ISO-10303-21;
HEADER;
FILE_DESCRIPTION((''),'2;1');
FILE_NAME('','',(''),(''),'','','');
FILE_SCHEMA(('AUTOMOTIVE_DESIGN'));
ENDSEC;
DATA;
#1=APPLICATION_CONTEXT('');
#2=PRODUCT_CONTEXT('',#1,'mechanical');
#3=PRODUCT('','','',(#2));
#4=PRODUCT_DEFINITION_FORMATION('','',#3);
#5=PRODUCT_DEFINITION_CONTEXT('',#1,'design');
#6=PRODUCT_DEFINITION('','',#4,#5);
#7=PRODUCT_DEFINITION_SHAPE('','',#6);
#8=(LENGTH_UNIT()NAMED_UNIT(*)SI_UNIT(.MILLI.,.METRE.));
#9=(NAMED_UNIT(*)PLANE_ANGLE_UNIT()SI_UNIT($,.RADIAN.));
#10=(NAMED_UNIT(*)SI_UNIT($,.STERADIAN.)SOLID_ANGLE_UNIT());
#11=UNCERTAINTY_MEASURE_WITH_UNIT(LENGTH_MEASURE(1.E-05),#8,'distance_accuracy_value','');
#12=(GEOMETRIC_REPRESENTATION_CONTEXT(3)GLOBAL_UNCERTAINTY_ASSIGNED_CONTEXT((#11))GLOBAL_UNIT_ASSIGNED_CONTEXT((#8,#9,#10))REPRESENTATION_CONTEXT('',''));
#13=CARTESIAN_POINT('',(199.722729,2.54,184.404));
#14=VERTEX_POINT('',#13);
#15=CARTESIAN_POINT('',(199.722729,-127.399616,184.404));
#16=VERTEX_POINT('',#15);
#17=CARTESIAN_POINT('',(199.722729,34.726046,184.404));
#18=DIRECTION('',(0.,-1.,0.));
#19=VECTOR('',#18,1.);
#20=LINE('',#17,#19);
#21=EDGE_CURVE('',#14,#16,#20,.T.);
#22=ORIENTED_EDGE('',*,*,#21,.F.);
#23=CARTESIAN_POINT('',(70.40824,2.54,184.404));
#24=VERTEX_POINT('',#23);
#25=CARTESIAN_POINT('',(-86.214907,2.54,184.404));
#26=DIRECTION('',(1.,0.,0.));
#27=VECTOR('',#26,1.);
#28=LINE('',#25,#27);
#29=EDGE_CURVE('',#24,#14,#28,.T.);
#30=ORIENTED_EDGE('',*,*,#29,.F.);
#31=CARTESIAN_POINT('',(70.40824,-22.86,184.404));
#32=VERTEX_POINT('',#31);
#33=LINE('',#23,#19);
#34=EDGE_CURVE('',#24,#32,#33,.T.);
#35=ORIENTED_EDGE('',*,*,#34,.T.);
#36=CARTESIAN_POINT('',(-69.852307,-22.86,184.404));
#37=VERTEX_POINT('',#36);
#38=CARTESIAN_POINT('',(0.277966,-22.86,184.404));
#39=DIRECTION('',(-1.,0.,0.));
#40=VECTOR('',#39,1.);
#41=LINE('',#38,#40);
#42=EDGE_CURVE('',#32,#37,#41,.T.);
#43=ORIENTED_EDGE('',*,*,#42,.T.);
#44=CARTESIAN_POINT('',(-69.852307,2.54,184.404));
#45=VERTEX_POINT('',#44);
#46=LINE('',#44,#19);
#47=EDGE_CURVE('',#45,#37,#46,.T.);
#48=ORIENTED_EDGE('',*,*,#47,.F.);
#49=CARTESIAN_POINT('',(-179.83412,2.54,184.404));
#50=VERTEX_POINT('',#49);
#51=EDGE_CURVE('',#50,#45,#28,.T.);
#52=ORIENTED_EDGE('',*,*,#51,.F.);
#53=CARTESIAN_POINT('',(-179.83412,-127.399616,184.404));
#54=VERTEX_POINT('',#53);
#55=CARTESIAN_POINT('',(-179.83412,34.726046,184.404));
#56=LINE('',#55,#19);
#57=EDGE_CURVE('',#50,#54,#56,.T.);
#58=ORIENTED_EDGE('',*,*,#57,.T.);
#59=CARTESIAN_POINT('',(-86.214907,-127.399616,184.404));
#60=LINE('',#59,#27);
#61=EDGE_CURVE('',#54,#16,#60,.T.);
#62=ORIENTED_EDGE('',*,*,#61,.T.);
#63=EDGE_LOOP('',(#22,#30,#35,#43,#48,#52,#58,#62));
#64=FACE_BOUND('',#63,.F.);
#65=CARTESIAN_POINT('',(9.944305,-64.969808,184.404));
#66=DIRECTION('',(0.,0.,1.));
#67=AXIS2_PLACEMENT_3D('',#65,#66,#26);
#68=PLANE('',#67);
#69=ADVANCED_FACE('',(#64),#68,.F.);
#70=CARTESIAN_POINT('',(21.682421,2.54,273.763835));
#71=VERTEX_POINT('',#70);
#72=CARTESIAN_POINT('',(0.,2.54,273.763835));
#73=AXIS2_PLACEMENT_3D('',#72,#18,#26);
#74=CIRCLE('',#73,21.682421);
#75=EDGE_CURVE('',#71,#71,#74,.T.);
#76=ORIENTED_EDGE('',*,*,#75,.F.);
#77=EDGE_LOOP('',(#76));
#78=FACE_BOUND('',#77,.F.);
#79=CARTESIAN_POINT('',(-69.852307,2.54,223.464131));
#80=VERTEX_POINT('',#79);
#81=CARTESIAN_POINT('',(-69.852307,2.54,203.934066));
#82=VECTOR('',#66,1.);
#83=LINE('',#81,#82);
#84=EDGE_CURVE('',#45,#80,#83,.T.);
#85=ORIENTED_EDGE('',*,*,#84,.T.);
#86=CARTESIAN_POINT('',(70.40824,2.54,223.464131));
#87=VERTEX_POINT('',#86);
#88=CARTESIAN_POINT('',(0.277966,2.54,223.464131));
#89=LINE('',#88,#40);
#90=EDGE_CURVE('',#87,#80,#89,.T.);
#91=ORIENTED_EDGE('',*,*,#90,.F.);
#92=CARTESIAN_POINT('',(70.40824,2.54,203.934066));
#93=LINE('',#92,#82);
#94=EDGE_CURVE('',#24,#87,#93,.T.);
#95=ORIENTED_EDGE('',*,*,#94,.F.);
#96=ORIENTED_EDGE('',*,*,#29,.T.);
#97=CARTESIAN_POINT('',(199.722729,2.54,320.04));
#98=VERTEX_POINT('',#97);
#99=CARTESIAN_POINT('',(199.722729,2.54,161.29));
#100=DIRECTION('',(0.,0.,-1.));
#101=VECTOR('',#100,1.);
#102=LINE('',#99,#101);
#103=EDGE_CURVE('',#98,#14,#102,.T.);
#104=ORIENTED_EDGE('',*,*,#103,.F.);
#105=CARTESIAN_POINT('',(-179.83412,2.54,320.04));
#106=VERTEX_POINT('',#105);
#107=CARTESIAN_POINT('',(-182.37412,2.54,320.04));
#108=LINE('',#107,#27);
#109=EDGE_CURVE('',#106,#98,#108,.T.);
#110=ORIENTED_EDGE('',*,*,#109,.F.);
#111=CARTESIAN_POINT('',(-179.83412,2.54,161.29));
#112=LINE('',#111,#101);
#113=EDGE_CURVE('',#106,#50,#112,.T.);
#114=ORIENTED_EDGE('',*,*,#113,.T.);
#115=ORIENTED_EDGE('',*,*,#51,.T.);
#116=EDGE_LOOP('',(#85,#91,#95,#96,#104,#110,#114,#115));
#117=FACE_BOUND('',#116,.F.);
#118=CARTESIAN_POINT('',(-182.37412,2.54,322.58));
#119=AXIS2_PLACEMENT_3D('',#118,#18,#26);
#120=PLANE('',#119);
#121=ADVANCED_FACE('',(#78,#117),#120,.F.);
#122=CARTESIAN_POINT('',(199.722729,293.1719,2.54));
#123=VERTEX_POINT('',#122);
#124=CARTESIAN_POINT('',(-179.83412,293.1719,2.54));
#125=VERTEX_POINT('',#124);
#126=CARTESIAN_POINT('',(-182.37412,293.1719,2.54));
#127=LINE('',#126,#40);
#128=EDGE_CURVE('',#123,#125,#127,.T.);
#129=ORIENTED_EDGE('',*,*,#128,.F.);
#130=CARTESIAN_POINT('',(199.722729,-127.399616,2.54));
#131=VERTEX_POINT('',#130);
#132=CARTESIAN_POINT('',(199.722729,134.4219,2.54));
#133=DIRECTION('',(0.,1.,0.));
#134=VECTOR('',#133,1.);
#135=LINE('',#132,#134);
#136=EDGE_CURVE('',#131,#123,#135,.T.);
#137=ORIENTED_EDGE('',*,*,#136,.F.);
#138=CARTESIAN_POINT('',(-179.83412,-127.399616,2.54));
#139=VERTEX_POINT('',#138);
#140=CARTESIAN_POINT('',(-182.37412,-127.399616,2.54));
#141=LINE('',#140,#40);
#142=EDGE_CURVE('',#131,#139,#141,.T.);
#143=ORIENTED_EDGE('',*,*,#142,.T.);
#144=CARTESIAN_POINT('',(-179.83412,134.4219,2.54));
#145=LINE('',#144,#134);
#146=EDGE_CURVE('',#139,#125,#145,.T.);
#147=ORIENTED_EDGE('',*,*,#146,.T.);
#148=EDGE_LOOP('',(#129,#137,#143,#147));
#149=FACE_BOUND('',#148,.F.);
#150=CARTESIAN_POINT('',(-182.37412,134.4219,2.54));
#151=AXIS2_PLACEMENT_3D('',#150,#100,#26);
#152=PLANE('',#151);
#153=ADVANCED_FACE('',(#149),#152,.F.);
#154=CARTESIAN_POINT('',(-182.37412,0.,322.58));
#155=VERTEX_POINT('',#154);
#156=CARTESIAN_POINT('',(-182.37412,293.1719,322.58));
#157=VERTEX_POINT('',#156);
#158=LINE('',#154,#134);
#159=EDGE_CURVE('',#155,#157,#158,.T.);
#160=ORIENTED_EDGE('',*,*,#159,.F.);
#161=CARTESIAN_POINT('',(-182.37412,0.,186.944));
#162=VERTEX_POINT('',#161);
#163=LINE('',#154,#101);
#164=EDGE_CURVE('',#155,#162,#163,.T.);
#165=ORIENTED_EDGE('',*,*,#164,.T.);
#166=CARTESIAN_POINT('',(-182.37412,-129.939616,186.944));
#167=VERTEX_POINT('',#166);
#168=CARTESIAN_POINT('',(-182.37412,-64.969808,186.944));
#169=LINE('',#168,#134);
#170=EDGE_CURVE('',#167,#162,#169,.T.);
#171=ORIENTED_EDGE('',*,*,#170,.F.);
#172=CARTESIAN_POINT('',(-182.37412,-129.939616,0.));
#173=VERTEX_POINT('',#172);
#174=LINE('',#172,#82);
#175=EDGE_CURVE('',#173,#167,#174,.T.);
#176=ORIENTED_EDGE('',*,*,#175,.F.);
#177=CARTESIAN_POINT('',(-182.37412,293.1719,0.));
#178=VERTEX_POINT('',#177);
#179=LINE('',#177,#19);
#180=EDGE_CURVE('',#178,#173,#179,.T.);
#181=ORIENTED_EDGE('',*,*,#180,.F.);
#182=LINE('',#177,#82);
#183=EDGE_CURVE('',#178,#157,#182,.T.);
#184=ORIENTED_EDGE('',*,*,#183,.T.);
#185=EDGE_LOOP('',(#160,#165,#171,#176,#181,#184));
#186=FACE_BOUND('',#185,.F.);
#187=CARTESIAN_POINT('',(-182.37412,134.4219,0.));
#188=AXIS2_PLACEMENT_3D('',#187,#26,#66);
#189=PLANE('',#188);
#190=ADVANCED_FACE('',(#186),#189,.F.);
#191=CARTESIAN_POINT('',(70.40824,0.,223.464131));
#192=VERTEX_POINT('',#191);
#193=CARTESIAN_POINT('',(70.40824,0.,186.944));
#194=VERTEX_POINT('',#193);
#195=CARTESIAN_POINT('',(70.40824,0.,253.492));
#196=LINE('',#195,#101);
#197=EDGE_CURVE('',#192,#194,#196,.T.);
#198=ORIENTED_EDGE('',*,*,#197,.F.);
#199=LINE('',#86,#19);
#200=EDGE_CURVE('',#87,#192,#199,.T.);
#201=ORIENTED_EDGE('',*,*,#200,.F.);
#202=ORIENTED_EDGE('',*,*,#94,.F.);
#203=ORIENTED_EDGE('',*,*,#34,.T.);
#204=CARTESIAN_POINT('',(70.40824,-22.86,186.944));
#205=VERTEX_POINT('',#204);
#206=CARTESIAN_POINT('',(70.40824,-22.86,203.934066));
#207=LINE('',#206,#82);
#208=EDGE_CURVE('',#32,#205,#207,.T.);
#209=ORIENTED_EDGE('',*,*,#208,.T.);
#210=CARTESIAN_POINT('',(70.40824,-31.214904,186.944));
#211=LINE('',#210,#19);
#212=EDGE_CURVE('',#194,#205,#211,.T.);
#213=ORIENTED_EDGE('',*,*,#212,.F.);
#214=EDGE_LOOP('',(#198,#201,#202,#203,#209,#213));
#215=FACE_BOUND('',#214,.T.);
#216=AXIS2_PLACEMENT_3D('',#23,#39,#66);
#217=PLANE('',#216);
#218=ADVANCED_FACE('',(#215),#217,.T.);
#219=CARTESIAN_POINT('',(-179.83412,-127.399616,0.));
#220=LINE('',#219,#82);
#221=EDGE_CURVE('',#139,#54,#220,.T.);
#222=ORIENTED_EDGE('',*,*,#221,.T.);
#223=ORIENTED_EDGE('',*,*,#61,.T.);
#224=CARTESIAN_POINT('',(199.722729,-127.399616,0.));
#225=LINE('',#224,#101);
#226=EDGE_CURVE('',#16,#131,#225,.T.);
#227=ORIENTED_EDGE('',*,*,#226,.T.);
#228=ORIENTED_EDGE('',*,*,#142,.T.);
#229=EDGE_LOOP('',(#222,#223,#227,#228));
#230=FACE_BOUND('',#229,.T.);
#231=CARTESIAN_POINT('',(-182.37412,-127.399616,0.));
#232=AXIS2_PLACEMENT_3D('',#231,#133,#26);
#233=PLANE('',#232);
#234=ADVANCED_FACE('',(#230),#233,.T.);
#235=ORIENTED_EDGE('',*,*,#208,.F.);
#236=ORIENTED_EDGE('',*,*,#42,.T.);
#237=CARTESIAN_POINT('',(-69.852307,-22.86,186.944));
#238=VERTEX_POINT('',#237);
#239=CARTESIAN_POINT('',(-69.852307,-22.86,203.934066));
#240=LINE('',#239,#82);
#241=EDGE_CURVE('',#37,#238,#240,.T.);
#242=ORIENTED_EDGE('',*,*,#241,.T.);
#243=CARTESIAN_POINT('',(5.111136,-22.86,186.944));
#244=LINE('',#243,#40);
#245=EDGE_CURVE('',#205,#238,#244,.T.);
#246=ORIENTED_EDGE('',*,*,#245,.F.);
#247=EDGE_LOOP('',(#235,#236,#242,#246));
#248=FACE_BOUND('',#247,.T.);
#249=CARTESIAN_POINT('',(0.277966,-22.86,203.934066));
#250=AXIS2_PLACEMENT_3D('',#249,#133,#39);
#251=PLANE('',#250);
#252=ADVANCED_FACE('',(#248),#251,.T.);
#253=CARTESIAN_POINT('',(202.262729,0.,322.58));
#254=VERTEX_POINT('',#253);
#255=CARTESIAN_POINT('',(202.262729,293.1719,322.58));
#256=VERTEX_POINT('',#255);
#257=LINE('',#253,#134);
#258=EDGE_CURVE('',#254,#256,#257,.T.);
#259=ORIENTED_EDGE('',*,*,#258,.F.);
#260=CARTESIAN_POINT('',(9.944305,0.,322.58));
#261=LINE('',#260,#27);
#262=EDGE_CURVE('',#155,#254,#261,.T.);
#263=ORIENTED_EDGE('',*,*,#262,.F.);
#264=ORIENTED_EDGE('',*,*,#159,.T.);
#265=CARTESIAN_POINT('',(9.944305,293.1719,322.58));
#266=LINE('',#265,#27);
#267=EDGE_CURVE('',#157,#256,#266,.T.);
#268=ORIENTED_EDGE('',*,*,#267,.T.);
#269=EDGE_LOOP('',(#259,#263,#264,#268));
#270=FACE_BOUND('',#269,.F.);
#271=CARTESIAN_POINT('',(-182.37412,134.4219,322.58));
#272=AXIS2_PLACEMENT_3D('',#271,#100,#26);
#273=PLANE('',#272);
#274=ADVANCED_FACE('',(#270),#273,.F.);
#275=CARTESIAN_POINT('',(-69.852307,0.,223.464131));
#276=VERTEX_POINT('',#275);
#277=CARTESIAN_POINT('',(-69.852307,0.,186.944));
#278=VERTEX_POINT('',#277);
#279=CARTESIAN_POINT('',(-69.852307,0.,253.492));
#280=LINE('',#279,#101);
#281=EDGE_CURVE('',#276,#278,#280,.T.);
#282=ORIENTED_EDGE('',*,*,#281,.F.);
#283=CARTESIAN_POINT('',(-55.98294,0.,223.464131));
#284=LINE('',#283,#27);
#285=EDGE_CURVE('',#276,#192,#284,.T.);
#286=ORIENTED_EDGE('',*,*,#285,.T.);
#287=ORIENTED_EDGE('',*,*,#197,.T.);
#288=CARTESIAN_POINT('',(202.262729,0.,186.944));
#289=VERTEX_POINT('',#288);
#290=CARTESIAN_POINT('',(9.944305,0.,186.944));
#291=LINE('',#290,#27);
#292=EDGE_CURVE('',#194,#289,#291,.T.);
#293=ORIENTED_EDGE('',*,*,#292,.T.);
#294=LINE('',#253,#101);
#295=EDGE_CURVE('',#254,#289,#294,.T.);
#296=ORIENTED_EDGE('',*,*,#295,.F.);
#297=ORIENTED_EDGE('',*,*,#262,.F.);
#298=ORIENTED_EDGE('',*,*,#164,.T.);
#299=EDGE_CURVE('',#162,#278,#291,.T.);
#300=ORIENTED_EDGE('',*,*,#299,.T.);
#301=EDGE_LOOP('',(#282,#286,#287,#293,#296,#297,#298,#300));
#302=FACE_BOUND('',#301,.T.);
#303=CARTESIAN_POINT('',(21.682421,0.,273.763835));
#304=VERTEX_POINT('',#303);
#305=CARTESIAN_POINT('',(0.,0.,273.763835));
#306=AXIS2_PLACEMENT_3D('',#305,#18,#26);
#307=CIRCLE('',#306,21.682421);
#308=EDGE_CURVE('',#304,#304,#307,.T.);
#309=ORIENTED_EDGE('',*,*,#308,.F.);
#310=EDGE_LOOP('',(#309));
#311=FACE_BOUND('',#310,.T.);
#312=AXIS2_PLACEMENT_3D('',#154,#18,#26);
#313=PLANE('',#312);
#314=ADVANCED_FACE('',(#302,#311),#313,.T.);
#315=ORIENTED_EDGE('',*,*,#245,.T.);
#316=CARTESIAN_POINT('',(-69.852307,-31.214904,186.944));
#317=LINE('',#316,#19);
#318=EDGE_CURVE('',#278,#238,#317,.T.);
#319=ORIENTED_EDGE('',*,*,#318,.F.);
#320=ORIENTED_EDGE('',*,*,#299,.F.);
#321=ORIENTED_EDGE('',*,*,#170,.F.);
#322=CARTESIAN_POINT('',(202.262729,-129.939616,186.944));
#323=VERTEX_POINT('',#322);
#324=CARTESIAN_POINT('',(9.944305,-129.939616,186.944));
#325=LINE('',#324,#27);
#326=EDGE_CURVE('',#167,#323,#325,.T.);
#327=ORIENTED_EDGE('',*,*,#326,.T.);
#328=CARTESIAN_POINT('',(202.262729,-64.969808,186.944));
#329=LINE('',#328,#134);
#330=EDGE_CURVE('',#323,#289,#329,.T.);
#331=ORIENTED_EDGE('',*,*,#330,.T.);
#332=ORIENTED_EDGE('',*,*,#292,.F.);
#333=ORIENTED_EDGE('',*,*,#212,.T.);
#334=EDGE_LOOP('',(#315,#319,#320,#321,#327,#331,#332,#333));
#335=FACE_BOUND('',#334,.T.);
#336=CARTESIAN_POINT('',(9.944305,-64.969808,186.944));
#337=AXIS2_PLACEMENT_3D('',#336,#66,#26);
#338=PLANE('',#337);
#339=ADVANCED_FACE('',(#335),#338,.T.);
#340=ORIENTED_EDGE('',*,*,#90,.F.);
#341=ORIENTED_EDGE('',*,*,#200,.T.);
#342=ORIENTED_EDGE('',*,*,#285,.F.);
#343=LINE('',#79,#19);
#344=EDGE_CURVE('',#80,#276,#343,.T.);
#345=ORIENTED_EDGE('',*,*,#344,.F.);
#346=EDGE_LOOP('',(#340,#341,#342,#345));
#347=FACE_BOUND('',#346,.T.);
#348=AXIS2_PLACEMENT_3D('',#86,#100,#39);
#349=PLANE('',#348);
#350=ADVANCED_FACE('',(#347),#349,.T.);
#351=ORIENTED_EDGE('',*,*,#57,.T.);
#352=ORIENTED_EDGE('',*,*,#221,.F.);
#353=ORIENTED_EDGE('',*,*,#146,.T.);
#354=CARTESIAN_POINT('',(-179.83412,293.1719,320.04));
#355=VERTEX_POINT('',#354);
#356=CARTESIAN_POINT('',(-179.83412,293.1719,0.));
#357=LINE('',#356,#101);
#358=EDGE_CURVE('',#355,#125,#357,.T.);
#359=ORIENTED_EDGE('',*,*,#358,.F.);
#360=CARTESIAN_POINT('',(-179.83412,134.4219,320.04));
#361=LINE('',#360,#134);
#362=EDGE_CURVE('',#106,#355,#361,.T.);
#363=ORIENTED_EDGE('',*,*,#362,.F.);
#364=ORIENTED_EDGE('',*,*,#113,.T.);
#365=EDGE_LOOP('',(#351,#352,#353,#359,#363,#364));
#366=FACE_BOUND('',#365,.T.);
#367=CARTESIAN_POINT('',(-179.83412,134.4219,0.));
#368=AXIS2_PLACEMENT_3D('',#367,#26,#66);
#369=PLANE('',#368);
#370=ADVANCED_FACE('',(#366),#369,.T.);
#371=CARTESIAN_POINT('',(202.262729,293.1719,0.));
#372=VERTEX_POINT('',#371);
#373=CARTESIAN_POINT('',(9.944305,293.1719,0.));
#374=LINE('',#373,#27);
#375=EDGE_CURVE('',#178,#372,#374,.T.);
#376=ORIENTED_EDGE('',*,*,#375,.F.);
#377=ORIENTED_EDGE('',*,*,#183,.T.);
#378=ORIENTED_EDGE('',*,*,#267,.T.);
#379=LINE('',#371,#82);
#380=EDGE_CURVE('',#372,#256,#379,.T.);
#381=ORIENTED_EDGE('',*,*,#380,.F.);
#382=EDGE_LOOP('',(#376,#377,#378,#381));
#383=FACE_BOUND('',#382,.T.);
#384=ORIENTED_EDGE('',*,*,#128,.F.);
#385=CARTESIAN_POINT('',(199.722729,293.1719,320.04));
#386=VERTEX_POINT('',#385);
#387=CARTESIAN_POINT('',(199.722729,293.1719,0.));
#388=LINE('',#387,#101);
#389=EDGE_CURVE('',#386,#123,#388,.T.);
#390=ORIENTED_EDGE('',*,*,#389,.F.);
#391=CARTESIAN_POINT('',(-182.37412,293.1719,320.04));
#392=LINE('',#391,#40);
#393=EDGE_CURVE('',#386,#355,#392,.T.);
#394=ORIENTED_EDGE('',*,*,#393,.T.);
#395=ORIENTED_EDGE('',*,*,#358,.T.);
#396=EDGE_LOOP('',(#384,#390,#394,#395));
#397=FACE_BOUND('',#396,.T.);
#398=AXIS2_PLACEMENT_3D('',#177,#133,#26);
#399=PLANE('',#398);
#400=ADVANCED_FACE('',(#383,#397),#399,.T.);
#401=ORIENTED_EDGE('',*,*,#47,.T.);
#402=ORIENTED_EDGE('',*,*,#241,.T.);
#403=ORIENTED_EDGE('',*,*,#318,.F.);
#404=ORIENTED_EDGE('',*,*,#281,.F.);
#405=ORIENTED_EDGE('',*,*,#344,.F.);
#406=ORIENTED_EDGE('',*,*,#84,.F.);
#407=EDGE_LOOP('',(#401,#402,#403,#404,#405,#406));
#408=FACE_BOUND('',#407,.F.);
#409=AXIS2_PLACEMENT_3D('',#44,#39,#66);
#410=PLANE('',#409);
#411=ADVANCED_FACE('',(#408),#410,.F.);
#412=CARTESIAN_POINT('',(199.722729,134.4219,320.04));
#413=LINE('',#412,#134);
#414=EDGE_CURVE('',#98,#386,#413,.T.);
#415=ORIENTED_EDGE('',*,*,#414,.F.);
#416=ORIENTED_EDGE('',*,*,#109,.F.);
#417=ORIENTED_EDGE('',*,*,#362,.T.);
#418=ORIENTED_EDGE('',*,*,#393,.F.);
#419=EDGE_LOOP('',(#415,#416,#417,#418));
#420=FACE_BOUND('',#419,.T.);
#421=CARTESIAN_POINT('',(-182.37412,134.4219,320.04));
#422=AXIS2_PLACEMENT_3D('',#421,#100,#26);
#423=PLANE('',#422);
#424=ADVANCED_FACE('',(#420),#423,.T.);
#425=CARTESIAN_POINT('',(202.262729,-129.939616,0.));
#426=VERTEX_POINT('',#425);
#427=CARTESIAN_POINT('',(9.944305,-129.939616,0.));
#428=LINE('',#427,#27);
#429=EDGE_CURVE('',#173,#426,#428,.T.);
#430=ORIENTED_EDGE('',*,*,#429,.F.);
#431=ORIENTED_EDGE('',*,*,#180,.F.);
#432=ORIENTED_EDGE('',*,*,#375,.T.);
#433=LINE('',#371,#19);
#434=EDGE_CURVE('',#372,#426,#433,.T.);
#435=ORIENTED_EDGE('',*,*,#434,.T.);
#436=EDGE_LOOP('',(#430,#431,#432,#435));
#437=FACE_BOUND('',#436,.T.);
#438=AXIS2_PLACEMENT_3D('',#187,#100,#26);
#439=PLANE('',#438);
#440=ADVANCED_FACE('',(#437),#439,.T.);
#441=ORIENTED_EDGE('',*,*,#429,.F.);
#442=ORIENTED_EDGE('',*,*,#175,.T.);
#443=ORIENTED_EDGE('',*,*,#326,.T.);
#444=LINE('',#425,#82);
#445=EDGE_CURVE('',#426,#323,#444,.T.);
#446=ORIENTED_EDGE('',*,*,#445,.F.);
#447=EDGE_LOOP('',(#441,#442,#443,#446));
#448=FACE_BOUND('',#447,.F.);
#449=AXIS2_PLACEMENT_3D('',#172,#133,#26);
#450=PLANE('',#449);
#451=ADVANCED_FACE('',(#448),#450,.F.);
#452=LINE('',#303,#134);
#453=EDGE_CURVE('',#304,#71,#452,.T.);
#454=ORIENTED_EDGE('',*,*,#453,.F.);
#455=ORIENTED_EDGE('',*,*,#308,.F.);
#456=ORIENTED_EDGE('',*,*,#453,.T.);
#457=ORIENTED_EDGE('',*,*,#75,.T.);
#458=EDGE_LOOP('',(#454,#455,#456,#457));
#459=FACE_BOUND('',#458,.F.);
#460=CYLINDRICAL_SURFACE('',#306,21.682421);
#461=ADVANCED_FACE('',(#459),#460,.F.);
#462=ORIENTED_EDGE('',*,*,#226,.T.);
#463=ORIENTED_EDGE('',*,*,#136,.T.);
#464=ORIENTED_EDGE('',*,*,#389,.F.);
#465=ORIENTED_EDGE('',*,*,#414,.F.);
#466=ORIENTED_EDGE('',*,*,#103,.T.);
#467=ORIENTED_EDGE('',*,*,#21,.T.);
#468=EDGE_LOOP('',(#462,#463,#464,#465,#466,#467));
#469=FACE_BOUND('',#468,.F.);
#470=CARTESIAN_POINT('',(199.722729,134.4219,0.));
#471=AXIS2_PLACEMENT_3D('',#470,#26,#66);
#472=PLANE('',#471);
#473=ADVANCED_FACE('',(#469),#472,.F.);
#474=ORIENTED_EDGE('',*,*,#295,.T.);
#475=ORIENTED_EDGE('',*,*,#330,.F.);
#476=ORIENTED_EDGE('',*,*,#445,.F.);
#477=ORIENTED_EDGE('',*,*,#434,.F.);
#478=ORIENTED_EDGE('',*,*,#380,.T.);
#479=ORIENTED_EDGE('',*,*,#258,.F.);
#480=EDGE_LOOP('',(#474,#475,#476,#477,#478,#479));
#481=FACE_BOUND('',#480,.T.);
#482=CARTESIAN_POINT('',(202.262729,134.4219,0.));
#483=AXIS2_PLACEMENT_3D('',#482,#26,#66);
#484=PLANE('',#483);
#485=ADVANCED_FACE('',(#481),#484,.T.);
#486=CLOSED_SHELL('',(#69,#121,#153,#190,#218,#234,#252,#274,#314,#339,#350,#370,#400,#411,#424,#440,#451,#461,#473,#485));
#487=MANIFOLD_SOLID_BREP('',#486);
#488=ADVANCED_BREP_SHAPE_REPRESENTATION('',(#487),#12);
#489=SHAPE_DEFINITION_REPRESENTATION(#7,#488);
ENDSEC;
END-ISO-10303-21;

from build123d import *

# Parameters (mm, degrees)
F0_W     = 384.636849165
F0_H     = 264.3615156412
F1_DEPTH = 322.58
F2_W     = 384.636849165
F2_H     = 129.9396157265
F3_DEPTH = 135.636
F4_DEPTH = 158.75
F5_T     = -2.54
F6_W     = 140.2605473995
F6_H     = 39.0601313553
F7_DEPTH = 25.4
F8_R     = 21.6824210641
F9_DEPTH = 25.4


with BuildPart() as f1:
    # F0 (on Top) → F1 (new body)
    with BuildSketch(Plane.XY):
        with Locations((9.9443048239, 2.2411420941)):
            Rectangle(F0_W, F0_H)
    extrude(amount=F1_DEPTH)

    # F2 (on face) → F3 (cut)
    with BuildSketch(Plane.XY.offset(322.58)):
        with Locations((9.9443048239, -64.9698078632)):
            Rectangle(F2_W, F2_H)
    extrude(amount=-F3_DEPTH, mode=Mode.SUBTRACT)

    # F4 (add): a face of the model
    f4_faces = [f1.faces().sort_by_distance(p)[0] for p in [
        (9.9443048239, 134.4218999147, 161.29),
    ]]
    extrude(f4_faces, amount=F4_DEPTH)

    # F5
    f5_openings = [f1.faces().sort_by_distance(p)[0] for p in [
        (9.944305, 293.1719, 161.29),
    ]]
    offset(amount=F5_T, openings=f5_openings, kind=Kind.INTERSECTION)

    # F6 (on face) → F7 (cut)
    with BuildSketch(Plane(origin=(0, 2.54, 0), x_dir=(-1, 0, 0), z_dir=(0, 1, 0))):
        with Locations((-0.2779662609, 203.9340656776)):
            Rectangle(F6_W, F6_H)
    extrude(amount=-F7_DEPTH, mode=Mode.SUBTRACT)

    # F8 (on face) → F9 (cut)
    with BuildSketch(Plane.XZ):
        with Locations((0, 273.7638354301)):
            Circle(F8_R)
    extrude(amount=-F9_DEPTH, mode=Mode.SUBTRACT)


solid = f1.part
